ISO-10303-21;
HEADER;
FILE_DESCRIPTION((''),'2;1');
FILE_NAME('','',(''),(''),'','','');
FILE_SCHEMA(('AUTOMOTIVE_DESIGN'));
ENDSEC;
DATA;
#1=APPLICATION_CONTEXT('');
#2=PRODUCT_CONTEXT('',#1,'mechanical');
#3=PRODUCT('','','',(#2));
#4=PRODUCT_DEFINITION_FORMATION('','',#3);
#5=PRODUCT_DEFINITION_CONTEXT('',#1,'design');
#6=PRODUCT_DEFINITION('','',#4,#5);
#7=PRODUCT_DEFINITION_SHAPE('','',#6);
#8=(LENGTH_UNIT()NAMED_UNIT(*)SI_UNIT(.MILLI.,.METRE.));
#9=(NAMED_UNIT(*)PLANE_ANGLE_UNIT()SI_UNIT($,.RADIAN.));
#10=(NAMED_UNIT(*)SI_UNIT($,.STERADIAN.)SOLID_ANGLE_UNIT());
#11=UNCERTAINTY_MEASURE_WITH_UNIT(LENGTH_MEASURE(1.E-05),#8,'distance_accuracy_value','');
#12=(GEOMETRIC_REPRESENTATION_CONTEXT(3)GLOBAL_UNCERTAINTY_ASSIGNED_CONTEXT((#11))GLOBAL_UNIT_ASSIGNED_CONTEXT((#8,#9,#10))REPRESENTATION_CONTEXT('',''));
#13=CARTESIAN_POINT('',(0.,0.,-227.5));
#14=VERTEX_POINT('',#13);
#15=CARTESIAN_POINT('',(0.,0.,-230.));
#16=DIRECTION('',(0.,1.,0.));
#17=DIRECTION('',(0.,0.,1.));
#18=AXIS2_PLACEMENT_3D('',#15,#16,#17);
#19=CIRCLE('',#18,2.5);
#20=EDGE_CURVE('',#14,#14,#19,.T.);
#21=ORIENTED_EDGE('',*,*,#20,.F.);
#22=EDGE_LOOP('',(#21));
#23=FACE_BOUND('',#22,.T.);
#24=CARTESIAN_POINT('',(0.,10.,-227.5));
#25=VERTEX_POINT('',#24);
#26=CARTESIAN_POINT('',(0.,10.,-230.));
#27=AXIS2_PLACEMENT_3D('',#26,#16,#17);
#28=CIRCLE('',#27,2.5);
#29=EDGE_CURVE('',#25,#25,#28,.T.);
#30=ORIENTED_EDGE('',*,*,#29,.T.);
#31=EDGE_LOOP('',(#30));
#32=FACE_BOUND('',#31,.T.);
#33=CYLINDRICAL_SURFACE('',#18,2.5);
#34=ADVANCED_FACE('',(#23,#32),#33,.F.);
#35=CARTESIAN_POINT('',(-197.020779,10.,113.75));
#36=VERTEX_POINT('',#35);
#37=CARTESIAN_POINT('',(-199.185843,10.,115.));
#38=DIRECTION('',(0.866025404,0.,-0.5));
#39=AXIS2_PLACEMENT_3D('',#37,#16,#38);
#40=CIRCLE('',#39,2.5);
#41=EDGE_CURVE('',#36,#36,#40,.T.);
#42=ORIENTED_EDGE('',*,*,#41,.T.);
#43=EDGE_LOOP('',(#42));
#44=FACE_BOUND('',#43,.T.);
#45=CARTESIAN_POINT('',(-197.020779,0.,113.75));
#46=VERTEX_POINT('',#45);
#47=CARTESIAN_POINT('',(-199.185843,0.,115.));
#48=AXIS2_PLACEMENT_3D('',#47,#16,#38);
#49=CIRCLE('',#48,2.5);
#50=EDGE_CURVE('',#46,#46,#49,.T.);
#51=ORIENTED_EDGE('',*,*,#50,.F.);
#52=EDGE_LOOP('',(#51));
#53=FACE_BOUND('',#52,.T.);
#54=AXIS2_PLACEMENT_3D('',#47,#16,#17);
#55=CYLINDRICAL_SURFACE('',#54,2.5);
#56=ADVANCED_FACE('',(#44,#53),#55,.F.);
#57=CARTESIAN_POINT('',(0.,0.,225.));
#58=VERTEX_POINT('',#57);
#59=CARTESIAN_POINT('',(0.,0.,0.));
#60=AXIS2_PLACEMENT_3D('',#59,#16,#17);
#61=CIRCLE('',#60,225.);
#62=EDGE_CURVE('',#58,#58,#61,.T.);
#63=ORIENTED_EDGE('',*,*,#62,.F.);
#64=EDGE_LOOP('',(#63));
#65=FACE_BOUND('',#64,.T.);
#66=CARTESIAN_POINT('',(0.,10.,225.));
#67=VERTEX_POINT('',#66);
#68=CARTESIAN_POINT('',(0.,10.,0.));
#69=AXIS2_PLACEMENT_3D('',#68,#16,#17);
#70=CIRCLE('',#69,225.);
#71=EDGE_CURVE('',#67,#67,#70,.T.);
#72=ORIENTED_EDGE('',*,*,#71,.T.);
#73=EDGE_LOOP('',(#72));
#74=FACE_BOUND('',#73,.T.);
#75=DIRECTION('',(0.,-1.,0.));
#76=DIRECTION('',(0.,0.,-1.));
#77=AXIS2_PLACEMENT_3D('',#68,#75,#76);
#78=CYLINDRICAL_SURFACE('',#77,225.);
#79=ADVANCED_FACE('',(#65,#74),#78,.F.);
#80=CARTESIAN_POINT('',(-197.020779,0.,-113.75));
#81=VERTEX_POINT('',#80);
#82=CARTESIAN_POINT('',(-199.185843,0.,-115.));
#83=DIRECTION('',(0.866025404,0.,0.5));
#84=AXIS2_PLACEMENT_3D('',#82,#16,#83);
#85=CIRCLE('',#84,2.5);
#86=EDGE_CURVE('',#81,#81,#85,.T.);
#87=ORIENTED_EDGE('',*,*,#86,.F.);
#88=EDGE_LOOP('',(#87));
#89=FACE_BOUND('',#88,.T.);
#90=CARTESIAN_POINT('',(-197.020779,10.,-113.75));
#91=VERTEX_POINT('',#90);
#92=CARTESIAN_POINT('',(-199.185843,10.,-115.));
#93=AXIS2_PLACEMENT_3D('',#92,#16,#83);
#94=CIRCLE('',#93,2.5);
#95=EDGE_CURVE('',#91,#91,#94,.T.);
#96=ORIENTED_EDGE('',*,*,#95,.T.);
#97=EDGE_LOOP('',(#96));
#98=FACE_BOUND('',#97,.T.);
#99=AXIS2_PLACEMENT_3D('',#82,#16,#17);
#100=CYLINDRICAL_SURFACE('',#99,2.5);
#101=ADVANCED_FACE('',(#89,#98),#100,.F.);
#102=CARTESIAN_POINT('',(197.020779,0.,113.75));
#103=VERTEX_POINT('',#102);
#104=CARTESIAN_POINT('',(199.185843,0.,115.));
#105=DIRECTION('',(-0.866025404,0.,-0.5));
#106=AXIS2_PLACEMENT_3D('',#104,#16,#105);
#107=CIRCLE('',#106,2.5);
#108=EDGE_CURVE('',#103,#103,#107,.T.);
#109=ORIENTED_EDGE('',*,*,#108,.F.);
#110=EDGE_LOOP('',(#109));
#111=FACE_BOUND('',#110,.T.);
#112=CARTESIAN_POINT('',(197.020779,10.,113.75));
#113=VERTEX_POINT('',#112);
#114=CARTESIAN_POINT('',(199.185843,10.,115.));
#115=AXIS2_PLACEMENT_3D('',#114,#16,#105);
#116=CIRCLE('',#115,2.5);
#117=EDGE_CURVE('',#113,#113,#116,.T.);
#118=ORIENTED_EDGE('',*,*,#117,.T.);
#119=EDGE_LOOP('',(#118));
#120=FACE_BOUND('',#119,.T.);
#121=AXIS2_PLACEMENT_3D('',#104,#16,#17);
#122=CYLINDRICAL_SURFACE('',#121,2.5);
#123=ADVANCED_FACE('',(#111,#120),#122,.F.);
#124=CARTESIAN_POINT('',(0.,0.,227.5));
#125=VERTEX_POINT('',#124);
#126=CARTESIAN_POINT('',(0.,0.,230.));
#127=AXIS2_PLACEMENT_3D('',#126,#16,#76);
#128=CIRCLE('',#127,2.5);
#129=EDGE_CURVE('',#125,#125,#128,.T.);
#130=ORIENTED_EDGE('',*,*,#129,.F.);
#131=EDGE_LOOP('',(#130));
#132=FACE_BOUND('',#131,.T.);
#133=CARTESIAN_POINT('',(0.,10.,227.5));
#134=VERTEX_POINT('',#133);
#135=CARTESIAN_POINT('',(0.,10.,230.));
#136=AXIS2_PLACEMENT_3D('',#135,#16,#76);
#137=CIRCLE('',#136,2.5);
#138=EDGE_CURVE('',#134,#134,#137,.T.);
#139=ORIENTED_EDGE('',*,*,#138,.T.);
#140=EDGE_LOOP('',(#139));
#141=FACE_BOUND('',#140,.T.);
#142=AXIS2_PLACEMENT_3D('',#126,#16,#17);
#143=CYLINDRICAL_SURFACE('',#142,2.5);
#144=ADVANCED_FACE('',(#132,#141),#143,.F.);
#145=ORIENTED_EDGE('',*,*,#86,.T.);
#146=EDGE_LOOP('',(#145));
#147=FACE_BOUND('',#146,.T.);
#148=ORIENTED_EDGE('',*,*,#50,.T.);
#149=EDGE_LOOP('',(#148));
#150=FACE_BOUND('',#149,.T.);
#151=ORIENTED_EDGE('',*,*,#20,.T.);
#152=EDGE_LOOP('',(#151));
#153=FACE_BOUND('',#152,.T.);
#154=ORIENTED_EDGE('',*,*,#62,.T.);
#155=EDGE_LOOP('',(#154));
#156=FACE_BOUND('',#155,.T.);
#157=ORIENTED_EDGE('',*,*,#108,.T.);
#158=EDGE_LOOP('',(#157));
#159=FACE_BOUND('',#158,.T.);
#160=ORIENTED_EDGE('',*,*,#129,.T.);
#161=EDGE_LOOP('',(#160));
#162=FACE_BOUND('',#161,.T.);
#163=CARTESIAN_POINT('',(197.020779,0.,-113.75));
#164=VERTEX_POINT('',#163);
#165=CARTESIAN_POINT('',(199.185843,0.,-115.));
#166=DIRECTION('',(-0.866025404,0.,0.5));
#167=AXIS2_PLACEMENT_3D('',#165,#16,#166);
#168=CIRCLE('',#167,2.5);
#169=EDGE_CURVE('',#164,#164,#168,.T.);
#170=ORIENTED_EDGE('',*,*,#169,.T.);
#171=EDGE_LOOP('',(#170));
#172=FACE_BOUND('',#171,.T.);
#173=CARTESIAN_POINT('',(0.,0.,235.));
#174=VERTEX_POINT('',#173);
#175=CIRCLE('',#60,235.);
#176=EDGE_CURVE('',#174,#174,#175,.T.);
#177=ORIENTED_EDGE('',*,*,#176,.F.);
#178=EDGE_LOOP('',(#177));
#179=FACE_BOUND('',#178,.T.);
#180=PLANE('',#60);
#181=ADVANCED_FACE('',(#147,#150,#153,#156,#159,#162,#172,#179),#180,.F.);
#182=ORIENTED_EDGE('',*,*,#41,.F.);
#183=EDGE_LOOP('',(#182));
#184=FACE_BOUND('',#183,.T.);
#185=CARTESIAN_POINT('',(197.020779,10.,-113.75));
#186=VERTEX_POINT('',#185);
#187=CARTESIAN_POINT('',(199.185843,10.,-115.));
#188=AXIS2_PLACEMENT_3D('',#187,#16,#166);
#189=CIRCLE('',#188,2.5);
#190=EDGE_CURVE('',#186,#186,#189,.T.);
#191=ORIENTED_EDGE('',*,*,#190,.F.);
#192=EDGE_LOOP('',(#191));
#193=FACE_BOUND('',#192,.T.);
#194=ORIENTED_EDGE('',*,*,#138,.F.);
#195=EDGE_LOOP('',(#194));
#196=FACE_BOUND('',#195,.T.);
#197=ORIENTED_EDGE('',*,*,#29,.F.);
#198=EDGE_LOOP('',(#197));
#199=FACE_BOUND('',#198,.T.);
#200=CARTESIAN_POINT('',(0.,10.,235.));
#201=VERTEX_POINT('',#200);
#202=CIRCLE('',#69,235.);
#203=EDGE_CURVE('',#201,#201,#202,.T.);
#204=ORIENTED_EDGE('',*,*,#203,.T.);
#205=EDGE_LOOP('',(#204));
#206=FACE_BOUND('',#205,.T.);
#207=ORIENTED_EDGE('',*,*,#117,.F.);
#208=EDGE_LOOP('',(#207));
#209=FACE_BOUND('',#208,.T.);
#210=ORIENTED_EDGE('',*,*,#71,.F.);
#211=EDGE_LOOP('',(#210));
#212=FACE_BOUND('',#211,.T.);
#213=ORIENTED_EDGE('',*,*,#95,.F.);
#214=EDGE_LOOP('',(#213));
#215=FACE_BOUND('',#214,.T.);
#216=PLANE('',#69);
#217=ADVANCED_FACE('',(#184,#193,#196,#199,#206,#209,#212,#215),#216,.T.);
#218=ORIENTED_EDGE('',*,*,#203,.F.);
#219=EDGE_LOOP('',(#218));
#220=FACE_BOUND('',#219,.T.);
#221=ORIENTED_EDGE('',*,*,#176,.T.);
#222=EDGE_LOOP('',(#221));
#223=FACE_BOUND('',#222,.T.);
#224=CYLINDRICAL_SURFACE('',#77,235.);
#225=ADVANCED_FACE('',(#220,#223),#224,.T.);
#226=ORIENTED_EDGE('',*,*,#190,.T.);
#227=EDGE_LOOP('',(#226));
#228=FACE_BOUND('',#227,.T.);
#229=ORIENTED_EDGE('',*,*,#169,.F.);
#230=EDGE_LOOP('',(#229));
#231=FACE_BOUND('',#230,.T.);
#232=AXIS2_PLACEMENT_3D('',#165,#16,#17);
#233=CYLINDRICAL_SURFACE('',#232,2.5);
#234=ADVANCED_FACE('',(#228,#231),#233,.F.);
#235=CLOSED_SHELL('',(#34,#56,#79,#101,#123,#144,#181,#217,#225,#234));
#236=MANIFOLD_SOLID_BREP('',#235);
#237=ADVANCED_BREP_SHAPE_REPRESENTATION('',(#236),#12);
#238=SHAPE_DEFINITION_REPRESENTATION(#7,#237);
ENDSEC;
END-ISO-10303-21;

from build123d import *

# Parameters (mm, degrees)
SKETCH1_R           = 235
SKETCH1_R_2         = 225
BOSS_EXTRUDE1_DEPTH = 10
SKETCH3_R           = 2.5
CUT_EXTRUDE1_DEPTH  = 10
CIRPATTERN1_COUNT   = 6


with BuildPart() as part:
    # Sketch1 → Boss-Extrude1 (new body)
    with BuildSketch(Plane(origin=(0, 0, 0), x_dir=(1, 0, 0), z_dir=(0, 1, 0))):
        with Locations(Location((0, 0, 0), (0, 0, 270))):
            Circle(SKETCH1_R)
        with Locations(Location((0, 0, 0), (0, 0, 270))):
            Circle(SKETCH1_R_2, mode=Mode.SUBTRACT)
    extrude(amount=BOSS_EXTRUDE1_DEPTH)

    # Sketch3 → Cut-Extrude1 (cut)
    with BuildSketch(Plane(origin=(0, 10, 0), x_dir=(1, 0, 0), z_dir=(0, 1, 0))):
        with Locations(Location((0, 230, 0), (0, 0, 270))):
            Circle(SKETCH3_R)
    cut_extrude1 = extrude(amount=-CUT_EXTRUDE1_DEPTH, mode=Mode.SUBTRACT)

    # CirPattern1: Cut-Extrude1 ×6 about axis
    cirpattern1_axis = Axis((0, 0, 0), (0, 1, 0))
    for i in range(1, CIRPATTERN1_COUNT):
        add(cut_extrude1.rotate(cirpattern1_axis, i * 360 / CIRPATTERN1_COUNT), mode=Mode.SUBTRACT)


solid = part.part
